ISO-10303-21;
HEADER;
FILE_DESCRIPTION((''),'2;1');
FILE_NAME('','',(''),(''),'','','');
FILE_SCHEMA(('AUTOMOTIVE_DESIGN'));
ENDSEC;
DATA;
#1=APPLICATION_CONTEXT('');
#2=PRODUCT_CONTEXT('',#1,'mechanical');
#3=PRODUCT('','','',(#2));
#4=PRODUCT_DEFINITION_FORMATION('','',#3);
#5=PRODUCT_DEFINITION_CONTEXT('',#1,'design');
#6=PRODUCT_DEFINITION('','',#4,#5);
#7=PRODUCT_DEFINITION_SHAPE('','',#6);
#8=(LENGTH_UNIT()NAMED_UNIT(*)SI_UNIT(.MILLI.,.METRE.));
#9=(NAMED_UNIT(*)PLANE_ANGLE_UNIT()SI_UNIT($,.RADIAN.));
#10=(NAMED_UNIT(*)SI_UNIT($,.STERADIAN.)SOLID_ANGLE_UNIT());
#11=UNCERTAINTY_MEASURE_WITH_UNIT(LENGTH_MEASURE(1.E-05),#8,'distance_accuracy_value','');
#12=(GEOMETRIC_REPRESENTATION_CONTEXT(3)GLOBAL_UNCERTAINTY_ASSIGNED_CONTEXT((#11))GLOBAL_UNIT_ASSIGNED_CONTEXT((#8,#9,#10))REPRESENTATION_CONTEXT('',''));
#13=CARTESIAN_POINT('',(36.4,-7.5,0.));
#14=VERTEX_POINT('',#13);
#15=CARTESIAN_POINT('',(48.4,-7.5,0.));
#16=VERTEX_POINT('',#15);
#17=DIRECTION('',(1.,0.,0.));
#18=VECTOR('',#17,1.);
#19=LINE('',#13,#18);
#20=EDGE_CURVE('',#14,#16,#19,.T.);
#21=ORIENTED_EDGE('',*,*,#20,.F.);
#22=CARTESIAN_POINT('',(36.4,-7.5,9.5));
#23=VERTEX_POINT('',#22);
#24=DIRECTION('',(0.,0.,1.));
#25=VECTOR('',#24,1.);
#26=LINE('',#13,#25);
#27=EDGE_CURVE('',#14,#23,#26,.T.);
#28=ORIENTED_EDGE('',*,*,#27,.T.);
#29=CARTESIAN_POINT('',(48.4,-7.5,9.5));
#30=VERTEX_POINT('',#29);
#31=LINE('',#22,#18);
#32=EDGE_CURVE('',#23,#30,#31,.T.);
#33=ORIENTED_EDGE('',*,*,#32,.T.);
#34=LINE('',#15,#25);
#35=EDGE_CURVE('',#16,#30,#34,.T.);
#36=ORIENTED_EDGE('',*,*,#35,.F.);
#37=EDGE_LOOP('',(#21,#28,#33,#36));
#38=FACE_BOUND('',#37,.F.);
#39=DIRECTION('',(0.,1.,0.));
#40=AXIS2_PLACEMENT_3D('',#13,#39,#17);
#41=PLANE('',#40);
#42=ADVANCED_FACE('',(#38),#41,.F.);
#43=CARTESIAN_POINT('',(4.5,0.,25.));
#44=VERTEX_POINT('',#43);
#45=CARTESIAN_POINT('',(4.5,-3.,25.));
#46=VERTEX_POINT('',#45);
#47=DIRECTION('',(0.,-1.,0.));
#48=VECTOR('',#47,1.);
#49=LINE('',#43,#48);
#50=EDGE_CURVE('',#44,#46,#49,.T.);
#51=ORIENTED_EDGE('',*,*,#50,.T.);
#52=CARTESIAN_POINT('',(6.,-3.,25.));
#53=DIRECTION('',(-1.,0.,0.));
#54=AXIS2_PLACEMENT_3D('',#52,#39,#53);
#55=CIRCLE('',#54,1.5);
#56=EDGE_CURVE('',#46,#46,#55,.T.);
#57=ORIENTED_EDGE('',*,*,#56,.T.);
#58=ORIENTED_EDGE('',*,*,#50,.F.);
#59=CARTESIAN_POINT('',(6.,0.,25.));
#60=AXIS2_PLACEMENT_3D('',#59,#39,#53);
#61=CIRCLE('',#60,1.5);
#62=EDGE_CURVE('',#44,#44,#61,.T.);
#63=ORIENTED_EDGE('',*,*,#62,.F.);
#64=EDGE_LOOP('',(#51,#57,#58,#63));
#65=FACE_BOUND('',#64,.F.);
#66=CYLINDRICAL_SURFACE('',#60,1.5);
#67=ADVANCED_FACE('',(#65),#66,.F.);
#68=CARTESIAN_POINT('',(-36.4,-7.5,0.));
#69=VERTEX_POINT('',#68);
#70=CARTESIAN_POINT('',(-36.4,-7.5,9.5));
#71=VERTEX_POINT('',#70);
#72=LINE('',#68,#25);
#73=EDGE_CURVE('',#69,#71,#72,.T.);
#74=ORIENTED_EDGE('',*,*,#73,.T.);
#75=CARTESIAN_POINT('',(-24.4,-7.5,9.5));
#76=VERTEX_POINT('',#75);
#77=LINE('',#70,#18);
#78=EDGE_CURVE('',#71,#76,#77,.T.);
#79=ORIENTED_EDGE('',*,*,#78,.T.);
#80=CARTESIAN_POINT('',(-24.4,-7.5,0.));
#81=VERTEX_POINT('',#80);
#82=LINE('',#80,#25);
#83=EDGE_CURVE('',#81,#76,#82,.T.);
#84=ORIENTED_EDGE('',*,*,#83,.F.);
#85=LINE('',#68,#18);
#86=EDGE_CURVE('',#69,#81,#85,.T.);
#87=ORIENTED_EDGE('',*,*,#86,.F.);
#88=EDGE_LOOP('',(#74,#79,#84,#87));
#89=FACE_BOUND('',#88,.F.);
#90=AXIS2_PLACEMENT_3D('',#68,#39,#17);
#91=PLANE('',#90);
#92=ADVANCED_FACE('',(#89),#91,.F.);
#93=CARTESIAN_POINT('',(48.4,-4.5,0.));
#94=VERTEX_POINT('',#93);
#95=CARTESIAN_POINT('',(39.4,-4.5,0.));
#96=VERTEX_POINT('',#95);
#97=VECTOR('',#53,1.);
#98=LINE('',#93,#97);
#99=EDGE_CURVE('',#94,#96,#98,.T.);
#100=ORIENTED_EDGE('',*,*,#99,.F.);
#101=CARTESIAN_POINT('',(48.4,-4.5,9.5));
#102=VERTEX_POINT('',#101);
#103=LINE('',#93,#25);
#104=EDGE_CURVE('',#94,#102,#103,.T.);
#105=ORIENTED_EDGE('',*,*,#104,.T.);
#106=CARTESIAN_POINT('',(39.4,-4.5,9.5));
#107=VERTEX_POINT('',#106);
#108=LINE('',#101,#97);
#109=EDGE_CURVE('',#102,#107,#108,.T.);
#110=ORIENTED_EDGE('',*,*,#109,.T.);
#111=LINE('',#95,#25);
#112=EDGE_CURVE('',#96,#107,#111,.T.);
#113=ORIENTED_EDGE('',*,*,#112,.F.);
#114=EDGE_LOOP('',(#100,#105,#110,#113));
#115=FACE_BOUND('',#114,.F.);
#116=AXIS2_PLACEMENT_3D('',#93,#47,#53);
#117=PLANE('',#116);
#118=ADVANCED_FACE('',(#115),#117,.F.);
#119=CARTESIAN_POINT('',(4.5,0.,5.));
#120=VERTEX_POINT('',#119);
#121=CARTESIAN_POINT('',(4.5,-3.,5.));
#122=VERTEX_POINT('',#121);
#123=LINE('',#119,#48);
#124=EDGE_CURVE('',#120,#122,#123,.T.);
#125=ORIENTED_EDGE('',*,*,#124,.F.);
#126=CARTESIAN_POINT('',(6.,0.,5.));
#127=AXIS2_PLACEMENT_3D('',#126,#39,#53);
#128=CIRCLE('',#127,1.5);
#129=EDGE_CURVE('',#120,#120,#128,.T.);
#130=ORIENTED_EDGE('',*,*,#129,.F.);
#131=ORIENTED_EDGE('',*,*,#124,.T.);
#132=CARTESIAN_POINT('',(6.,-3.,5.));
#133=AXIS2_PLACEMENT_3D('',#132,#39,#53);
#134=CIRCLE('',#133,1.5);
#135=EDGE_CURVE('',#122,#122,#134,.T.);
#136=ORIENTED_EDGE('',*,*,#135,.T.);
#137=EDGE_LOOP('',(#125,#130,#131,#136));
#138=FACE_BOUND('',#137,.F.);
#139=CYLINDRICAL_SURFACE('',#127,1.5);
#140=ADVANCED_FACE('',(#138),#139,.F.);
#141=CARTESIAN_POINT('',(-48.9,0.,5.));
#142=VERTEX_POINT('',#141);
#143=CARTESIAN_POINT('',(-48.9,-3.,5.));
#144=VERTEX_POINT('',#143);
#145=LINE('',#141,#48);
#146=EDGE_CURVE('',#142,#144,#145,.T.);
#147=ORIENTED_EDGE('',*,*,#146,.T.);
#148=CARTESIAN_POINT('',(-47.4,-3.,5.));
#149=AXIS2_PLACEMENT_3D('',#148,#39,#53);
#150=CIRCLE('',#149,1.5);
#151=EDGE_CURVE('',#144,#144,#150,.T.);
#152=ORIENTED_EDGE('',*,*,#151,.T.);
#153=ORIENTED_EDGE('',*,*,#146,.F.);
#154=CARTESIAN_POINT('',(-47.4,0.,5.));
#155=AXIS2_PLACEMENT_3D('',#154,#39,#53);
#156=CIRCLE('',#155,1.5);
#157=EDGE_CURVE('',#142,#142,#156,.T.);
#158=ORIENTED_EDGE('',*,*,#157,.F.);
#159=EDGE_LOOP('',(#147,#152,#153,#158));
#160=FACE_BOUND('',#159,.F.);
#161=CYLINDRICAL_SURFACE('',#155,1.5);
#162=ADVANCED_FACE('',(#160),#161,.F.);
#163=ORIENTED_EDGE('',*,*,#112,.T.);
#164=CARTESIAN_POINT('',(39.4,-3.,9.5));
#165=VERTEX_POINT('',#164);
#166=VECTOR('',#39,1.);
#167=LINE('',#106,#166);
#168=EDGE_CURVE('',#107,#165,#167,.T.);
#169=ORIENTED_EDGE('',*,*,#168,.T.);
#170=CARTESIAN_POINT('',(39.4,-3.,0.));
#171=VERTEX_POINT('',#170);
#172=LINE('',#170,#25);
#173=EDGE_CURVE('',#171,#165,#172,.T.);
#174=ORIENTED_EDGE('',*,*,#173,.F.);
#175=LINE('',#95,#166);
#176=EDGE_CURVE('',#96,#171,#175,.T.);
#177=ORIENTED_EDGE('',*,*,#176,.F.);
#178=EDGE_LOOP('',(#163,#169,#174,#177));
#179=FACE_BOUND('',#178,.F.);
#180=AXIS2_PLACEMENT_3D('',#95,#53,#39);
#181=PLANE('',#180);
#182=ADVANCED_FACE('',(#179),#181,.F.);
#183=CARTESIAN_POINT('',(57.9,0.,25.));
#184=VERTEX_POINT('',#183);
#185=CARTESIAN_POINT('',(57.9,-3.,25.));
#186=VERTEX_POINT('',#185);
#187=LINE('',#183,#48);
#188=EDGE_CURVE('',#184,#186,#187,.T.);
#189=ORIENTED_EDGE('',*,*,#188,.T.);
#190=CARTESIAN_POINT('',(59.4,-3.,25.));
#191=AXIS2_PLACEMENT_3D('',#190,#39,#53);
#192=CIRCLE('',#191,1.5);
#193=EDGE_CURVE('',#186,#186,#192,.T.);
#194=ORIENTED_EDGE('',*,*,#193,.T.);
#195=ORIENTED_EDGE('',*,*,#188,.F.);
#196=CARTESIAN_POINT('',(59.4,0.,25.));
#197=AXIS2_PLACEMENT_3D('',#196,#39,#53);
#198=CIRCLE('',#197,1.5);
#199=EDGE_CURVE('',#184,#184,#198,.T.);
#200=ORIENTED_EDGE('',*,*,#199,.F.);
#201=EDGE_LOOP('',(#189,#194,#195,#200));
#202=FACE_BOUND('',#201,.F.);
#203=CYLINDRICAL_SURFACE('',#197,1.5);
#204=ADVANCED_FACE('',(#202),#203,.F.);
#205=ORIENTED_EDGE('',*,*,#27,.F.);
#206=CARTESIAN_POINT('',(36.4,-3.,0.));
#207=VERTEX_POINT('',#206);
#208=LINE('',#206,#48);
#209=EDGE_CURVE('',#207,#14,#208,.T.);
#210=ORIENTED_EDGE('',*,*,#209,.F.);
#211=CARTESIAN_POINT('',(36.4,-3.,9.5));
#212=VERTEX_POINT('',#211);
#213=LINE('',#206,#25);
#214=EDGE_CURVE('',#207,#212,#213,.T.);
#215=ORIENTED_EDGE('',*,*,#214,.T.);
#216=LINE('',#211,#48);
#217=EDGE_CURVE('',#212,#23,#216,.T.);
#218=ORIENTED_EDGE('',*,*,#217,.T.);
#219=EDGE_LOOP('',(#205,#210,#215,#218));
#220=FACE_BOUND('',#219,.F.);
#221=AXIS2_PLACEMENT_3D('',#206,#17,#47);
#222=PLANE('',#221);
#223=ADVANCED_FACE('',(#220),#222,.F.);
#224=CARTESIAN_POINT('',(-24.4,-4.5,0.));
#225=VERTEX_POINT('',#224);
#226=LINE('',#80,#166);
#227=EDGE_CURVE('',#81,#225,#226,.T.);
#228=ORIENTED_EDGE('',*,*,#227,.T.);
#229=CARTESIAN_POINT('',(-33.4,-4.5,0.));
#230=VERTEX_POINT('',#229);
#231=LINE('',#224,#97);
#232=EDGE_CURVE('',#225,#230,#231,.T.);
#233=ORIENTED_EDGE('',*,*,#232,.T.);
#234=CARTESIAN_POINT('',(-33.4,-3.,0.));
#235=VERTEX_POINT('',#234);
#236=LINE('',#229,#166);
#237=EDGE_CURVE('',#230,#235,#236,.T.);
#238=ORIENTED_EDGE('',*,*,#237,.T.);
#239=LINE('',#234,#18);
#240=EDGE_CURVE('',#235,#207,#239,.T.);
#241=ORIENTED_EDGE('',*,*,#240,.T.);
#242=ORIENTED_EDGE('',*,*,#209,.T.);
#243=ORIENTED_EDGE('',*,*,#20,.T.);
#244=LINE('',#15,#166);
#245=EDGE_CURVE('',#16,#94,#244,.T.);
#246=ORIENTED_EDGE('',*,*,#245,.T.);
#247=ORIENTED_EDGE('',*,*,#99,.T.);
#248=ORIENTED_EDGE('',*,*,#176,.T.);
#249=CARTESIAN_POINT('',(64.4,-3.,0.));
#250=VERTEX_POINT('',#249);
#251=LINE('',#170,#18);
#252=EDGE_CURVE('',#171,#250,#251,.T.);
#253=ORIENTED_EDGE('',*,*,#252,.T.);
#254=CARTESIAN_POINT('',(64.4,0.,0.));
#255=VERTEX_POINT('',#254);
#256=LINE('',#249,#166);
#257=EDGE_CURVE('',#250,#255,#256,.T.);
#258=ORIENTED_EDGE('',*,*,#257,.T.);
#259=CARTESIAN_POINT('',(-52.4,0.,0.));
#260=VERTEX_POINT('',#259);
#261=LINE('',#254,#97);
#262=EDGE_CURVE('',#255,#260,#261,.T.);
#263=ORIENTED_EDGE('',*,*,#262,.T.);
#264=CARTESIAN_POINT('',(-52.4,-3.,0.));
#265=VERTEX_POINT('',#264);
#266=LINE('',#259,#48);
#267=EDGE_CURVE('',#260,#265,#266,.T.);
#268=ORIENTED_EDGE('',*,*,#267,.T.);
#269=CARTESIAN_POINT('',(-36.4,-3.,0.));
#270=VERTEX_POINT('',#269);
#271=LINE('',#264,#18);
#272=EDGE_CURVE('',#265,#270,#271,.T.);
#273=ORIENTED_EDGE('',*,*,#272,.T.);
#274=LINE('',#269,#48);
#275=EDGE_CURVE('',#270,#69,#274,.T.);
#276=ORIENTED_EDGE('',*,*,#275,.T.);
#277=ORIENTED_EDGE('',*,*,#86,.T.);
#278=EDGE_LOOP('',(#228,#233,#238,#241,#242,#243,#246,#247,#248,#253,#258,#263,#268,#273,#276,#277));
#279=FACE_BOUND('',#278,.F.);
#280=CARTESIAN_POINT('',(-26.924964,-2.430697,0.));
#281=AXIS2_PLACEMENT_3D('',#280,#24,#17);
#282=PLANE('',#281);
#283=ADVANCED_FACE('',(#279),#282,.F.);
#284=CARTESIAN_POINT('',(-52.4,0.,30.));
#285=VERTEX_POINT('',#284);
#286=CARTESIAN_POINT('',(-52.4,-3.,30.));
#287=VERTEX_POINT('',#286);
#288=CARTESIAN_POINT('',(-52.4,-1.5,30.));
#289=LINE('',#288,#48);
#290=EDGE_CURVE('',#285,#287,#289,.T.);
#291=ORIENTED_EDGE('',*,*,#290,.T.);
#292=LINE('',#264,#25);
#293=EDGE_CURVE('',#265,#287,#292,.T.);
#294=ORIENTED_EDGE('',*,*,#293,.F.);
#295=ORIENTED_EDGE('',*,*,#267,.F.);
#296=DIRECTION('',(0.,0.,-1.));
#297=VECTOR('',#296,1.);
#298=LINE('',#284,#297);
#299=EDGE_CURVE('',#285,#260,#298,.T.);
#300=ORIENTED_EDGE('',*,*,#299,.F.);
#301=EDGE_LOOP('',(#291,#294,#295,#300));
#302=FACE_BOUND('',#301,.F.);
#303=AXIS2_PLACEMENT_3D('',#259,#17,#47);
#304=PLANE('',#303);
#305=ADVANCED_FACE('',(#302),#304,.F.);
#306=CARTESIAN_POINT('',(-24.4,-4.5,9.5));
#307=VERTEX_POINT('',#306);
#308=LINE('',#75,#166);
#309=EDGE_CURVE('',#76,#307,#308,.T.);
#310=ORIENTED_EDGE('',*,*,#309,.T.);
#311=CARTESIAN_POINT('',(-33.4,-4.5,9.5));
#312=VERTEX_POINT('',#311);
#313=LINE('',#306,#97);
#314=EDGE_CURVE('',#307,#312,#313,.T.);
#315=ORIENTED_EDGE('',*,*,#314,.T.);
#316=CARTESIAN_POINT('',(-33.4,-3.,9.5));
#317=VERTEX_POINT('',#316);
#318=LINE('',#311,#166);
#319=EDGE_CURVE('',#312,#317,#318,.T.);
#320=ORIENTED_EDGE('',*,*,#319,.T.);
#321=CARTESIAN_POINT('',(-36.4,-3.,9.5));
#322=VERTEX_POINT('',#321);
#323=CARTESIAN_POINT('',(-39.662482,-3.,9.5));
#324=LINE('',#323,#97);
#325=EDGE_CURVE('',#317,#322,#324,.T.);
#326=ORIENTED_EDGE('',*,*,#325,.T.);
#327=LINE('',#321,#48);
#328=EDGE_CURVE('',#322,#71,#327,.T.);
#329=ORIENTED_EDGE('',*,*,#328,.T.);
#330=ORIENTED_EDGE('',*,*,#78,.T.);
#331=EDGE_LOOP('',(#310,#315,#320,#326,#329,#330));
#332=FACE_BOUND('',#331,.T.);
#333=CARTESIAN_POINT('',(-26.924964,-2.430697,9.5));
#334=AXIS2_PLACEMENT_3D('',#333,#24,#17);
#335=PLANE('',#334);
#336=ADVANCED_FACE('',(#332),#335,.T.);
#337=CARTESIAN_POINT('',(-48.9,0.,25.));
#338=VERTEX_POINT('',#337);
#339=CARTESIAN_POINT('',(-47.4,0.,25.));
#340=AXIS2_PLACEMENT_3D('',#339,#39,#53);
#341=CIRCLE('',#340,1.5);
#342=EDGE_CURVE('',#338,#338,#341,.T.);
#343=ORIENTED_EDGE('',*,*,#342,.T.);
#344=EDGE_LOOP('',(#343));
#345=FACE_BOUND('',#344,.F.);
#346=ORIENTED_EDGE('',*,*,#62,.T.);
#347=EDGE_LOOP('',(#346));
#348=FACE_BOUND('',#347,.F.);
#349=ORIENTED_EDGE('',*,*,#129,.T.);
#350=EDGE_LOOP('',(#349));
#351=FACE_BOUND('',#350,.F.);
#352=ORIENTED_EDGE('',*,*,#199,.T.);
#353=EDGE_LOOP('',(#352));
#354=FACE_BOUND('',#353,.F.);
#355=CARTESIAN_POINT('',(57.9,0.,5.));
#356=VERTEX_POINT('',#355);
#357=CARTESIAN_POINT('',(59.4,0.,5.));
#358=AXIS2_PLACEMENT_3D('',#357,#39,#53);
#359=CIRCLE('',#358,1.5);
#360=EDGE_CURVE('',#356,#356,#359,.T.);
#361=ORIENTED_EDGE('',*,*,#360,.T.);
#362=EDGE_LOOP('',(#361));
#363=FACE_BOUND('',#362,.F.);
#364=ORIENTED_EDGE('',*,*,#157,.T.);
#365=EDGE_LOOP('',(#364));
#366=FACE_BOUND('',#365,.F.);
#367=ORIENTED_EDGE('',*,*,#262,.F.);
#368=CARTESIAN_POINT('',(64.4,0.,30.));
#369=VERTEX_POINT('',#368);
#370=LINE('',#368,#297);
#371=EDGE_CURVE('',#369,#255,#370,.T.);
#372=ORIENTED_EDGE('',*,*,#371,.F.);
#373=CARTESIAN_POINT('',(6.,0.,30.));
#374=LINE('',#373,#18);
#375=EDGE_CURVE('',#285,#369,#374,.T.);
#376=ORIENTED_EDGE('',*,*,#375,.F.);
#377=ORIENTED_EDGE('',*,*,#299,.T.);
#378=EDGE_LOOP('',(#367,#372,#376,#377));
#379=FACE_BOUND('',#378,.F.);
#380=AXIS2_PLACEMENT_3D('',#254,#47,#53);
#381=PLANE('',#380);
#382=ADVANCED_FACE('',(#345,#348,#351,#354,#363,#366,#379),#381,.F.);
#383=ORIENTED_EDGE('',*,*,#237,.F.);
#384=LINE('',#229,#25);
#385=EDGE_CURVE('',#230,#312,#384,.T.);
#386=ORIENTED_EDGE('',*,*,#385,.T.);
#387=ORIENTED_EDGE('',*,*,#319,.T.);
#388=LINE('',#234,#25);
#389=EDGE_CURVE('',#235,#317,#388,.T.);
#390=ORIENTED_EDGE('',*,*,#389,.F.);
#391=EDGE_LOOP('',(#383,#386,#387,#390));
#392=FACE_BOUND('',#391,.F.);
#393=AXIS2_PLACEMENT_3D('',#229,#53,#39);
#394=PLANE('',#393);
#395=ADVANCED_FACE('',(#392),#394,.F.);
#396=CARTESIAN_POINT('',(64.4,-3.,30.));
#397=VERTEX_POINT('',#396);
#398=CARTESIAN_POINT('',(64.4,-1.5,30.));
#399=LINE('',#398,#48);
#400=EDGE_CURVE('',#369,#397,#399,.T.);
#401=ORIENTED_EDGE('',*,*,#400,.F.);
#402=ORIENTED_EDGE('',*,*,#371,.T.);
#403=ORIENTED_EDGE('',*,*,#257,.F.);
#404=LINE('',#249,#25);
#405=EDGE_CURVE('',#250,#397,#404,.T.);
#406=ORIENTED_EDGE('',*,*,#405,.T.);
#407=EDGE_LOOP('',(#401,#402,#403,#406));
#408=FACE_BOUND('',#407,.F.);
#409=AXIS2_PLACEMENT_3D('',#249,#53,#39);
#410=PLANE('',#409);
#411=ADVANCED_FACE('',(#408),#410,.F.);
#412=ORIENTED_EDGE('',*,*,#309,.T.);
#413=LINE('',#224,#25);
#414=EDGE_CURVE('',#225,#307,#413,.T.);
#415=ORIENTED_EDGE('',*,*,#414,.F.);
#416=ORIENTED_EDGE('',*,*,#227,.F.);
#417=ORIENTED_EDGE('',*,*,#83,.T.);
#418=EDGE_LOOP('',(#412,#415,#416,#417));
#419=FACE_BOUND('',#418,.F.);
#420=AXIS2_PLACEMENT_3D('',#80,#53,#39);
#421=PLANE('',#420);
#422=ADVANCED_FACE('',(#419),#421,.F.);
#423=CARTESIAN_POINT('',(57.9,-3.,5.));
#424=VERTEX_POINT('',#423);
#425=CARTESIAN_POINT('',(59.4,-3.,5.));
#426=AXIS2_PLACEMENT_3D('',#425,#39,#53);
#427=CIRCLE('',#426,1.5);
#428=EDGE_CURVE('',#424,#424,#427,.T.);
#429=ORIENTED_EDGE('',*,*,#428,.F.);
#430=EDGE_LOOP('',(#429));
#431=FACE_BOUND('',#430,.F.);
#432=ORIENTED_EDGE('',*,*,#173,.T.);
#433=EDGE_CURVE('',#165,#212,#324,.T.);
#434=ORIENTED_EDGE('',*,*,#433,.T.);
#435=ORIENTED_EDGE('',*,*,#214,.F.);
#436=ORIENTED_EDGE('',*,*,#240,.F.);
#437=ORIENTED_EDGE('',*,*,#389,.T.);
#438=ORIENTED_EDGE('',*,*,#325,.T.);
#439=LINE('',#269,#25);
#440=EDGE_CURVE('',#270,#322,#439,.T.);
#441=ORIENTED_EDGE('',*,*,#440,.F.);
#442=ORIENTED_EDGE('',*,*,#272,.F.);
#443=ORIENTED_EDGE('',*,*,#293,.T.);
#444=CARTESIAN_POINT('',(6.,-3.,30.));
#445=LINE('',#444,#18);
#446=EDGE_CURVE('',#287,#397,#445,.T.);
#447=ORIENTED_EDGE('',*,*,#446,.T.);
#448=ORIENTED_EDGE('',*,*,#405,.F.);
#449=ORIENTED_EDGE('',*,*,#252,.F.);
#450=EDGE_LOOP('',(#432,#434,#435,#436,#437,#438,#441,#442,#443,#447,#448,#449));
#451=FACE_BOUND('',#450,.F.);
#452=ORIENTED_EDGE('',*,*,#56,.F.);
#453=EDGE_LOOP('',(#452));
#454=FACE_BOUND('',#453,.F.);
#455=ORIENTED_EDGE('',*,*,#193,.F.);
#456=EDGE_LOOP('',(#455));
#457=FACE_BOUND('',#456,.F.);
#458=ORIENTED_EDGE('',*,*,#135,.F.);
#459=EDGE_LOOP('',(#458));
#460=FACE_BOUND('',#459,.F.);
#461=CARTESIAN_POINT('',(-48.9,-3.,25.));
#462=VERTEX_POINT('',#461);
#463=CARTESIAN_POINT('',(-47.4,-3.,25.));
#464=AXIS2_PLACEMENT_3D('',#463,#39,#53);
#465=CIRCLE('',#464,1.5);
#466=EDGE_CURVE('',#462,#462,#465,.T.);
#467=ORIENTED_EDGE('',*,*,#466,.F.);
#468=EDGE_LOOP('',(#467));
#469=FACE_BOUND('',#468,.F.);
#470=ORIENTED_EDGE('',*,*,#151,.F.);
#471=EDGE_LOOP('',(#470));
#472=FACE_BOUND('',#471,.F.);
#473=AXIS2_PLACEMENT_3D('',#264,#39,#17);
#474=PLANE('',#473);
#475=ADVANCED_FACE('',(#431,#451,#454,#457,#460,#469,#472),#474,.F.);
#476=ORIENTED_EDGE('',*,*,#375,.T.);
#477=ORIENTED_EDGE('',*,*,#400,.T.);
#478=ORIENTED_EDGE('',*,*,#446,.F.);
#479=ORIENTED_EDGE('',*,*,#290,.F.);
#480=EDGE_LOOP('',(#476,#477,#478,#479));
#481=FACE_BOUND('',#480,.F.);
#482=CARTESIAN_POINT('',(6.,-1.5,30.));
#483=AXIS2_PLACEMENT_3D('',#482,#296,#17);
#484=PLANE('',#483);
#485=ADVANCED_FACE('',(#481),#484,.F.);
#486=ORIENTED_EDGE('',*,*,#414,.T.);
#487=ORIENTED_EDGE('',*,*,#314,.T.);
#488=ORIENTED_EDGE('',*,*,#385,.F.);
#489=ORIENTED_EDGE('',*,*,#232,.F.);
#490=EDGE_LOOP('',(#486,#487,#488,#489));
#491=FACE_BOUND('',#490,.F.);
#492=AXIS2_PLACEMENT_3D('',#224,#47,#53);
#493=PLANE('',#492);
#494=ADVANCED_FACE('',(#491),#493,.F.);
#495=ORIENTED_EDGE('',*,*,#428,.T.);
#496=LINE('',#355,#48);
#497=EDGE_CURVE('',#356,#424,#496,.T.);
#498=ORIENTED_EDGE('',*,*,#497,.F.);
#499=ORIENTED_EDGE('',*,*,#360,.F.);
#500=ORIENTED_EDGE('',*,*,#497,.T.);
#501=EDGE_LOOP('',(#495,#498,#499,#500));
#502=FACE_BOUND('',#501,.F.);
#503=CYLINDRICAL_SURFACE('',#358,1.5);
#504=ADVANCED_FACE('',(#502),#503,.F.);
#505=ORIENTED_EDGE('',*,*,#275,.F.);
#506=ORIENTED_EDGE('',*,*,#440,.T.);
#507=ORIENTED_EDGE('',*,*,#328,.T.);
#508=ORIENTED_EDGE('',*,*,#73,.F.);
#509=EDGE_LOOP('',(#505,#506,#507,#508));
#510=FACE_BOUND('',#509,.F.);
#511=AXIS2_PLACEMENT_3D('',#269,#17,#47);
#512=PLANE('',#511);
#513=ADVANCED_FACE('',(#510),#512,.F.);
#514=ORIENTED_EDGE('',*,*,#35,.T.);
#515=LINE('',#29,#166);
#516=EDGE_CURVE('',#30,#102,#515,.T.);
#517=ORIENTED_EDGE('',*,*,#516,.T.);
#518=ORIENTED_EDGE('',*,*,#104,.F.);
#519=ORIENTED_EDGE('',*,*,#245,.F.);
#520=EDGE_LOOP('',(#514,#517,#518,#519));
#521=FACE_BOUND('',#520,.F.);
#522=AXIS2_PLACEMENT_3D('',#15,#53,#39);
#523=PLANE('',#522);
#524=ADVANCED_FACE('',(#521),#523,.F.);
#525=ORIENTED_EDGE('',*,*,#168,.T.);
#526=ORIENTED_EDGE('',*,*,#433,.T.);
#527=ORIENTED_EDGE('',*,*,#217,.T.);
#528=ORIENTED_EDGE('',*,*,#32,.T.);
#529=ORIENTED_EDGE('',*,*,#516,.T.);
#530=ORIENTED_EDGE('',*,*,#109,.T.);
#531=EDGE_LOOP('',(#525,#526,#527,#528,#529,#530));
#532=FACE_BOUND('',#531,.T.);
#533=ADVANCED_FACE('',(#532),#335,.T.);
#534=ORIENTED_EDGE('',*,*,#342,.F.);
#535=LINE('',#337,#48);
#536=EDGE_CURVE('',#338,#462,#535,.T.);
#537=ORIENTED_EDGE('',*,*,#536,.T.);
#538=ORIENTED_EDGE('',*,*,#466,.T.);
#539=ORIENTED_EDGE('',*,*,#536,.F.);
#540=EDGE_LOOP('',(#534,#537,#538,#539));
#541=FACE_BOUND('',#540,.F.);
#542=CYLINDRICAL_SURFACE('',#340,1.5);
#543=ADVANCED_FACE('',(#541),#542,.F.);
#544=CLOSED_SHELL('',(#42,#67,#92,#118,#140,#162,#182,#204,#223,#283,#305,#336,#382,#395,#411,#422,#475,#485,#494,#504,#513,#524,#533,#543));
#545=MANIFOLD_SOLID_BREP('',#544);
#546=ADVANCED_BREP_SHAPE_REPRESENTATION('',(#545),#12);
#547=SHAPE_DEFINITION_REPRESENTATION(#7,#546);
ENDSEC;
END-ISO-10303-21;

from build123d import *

# Parameters (mm, degrees)
F1_DEPTH = 9.5
F2_W     = 116.8
F2_H     = 3
F3_DEPTH = 30
F4_R     = 1.5
F5_DEPTH = 25


with BuildPart() as f1:
    # F0 (on Top) → F1 (new body)
    with BuildSketch(Plane.XY):
        Polygon((0, 0), (-24.4, 0), (-36.4, 0), (-52.4, 0), (-52.4, -3), (-36.4, -3), (-36.4, -7.5), (-24.4, -7.5), (-24.4, -4.5), (-33.4, -4.5), (-33.4, -3), (-24.4, -3), (0, -3), align=None)
        Polygon((36.4, 0), (0, 0), (0, -3), (36.4, -3), (36.4, -7.5), (48.4, -7.5), (48.4, -4.5), (39.4, -4.5), (39.4, -3), (48.4, -3), (64.4, -3), (64.4, 0), (48.4, 0), align=None)
    extrude(amount=F1_DEPTH)

    # F2 (on face) → F3 (join)
    with BuildSketch(Plane(origin=(0, 0, 0), x_dir=(1, 0, 0), z_dir=(0, 0, -1))):
        with Locations((6, 1.5)):
            Rectangle(F2_W, F2_H)
    extrude(amount=-F3_DEPTH)

    # F4 (on face) → F5 (cut)
    with BuildSketch(Plane(origin=(0, 0, 0), x_dir=(-1, 0, 0), z_dir=(0, 1, 0))):
        with Locations((47.4, 25)):
            Circle(F4_R)
        with Locations((-59.4, 25)):
            Circle(F4_R)
        with Locations((-59.4, 5)):
            Circle(F4_R)
        with Locations((47.4, 5)):
            Circle(F4_R)
        with Locations((-6, 25)):
            Circle(F4_R)
        with Locations((-6, 5)):
            Circle(F4_R)
    extrude(amount=-F5_DEPTH, mode=Mode.SUBTRACT)


solid = f1.part
